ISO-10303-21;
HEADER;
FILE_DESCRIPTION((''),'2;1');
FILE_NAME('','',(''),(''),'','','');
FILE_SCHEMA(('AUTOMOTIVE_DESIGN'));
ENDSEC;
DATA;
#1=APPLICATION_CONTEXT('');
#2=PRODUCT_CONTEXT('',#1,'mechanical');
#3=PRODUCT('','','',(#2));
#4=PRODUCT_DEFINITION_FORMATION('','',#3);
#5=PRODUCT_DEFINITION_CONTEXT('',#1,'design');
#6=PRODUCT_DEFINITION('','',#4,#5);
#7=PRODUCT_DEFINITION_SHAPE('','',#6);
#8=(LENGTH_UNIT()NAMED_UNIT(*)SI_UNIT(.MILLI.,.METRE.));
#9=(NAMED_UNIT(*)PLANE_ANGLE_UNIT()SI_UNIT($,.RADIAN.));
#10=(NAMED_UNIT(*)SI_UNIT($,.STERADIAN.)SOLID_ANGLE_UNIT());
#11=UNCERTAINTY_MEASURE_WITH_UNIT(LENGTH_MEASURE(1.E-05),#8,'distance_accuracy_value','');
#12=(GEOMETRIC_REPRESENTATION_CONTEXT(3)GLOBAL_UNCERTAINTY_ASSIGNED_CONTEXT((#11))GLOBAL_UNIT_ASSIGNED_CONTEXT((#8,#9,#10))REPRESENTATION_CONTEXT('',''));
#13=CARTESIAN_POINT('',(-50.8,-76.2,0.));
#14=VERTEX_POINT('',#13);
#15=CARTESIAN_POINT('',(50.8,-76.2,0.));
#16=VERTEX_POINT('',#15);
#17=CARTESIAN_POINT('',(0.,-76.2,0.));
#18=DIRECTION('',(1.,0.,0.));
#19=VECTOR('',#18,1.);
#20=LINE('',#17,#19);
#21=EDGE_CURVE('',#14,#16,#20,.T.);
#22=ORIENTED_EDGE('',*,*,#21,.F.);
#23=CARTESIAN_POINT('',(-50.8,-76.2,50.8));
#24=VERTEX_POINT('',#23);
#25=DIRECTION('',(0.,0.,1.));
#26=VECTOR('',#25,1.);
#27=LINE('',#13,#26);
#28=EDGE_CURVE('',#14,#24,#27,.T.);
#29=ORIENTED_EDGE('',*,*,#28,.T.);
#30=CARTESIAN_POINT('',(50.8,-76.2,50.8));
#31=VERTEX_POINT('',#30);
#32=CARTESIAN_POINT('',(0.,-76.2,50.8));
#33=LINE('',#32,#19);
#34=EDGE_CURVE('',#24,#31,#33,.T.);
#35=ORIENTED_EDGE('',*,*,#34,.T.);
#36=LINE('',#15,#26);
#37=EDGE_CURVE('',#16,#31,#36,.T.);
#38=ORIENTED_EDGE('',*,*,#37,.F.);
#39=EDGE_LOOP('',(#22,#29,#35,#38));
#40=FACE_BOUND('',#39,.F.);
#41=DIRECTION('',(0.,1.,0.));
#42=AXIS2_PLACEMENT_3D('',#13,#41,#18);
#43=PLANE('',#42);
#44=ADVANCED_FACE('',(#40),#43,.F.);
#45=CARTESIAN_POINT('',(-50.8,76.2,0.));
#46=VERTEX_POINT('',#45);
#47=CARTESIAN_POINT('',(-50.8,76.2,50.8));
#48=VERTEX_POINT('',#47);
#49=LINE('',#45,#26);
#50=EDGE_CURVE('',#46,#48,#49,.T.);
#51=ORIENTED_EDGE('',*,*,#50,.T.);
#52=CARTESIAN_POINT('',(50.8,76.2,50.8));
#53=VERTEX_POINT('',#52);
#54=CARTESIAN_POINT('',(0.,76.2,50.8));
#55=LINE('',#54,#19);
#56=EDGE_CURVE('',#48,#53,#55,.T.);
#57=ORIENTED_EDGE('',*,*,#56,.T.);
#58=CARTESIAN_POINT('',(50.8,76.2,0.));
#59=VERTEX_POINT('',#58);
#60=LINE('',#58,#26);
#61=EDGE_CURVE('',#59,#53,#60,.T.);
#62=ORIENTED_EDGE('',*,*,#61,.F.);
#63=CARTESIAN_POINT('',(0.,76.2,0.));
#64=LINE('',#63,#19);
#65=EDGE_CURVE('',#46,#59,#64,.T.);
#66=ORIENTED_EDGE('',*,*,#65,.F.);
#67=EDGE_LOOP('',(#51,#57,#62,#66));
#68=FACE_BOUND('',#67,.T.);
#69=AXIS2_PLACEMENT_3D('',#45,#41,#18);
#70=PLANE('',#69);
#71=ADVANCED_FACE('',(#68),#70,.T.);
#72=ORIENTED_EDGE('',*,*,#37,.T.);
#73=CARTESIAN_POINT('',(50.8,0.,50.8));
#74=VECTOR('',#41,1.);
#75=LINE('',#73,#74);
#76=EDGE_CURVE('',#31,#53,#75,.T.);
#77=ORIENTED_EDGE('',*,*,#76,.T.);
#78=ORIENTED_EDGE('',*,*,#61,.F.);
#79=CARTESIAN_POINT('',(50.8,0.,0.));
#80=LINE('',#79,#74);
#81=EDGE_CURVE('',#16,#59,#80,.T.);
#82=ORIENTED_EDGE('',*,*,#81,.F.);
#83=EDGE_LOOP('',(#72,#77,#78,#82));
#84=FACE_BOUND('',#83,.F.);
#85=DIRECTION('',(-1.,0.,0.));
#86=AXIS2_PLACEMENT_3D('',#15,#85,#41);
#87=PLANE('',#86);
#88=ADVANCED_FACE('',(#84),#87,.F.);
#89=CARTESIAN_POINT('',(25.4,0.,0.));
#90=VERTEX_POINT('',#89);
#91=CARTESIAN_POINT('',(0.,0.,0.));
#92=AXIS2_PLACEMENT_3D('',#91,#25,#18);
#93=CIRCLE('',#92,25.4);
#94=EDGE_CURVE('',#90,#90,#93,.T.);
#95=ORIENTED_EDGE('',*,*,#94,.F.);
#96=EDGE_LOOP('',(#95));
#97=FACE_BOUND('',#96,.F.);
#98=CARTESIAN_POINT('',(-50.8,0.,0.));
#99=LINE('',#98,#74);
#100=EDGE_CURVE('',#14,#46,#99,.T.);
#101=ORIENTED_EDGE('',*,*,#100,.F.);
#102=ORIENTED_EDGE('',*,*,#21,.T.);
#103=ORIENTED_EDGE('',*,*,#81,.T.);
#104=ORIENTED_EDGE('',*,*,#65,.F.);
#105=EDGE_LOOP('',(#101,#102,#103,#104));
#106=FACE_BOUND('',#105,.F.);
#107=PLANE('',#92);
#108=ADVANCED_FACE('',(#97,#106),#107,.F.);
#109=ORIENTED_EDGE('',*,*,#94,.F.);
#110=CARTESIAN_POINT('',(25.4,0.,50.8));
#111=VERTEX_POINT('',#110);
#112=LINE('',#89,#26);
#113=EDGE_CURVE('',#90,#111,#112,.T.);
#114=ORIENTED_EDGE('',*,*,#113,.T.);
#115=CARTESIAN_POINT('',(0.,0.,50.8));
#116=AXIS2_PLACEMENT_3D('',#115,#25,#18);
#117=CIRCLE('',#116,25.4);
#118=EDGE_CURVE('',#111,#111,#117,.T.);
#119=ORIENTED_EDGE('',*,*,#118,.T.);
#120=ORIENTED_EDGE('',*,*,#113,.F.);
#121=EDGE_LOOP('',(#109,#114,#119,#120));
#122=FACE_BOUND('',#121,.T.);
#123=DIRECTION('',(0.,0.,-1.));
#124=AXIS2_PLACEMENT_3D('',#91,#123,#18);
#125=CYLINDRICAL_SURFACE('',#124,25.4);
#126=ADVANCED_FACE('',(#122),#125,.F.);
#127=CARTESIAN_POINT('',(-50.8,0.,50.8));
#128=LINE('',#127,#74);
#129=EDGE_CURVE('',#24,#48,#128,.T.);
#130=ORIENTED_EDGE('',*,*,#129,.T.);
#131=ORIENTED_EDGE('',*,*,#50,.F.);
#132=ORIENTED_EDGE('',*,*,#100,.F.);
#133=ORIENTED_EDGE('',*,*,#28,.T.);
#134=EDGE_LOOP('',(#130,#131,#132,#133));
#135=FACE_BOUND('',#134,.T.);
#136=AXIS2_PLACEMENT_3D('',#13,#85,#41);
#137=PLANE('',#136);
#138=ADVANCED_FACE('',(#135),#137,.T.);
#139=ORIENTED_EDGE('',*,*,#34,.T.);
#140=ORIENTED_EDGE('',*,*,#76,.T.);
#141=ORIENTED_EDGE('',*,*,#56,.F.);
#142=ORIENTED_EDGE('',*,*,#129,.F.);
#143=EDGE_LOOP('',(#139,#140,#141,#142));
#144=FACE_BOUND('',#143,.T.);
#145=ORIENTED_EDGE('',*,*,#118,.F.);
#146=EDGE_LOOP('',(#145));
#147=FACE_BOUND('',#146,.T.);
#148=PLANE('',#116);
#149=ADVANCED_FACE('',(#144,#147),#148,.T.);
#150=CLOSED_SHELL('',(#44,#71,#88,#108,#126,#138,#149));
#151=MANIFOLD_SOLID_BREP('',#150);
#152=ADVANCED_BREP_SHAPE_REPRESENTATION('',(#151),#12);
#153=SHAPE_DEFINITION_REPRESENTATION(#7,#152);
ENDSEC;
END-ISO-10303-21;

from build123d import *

# Parameters (mm, degrees)
F1_W     = 101.6
F1_H     = 152.4
F1_R     = 25.4
F2_DEPTH = 50.8


with BuildPart() as f2:
    # F1 (on face) → F2 (new body)
    with BuildSketch(Plane.XY):
        Rectangle(F1_W, F1_H)
        Circle(F1_R, mode=Mode.SUBTRACT)
    extrude(amount=F2_DEPTH)


solid = f2.part
